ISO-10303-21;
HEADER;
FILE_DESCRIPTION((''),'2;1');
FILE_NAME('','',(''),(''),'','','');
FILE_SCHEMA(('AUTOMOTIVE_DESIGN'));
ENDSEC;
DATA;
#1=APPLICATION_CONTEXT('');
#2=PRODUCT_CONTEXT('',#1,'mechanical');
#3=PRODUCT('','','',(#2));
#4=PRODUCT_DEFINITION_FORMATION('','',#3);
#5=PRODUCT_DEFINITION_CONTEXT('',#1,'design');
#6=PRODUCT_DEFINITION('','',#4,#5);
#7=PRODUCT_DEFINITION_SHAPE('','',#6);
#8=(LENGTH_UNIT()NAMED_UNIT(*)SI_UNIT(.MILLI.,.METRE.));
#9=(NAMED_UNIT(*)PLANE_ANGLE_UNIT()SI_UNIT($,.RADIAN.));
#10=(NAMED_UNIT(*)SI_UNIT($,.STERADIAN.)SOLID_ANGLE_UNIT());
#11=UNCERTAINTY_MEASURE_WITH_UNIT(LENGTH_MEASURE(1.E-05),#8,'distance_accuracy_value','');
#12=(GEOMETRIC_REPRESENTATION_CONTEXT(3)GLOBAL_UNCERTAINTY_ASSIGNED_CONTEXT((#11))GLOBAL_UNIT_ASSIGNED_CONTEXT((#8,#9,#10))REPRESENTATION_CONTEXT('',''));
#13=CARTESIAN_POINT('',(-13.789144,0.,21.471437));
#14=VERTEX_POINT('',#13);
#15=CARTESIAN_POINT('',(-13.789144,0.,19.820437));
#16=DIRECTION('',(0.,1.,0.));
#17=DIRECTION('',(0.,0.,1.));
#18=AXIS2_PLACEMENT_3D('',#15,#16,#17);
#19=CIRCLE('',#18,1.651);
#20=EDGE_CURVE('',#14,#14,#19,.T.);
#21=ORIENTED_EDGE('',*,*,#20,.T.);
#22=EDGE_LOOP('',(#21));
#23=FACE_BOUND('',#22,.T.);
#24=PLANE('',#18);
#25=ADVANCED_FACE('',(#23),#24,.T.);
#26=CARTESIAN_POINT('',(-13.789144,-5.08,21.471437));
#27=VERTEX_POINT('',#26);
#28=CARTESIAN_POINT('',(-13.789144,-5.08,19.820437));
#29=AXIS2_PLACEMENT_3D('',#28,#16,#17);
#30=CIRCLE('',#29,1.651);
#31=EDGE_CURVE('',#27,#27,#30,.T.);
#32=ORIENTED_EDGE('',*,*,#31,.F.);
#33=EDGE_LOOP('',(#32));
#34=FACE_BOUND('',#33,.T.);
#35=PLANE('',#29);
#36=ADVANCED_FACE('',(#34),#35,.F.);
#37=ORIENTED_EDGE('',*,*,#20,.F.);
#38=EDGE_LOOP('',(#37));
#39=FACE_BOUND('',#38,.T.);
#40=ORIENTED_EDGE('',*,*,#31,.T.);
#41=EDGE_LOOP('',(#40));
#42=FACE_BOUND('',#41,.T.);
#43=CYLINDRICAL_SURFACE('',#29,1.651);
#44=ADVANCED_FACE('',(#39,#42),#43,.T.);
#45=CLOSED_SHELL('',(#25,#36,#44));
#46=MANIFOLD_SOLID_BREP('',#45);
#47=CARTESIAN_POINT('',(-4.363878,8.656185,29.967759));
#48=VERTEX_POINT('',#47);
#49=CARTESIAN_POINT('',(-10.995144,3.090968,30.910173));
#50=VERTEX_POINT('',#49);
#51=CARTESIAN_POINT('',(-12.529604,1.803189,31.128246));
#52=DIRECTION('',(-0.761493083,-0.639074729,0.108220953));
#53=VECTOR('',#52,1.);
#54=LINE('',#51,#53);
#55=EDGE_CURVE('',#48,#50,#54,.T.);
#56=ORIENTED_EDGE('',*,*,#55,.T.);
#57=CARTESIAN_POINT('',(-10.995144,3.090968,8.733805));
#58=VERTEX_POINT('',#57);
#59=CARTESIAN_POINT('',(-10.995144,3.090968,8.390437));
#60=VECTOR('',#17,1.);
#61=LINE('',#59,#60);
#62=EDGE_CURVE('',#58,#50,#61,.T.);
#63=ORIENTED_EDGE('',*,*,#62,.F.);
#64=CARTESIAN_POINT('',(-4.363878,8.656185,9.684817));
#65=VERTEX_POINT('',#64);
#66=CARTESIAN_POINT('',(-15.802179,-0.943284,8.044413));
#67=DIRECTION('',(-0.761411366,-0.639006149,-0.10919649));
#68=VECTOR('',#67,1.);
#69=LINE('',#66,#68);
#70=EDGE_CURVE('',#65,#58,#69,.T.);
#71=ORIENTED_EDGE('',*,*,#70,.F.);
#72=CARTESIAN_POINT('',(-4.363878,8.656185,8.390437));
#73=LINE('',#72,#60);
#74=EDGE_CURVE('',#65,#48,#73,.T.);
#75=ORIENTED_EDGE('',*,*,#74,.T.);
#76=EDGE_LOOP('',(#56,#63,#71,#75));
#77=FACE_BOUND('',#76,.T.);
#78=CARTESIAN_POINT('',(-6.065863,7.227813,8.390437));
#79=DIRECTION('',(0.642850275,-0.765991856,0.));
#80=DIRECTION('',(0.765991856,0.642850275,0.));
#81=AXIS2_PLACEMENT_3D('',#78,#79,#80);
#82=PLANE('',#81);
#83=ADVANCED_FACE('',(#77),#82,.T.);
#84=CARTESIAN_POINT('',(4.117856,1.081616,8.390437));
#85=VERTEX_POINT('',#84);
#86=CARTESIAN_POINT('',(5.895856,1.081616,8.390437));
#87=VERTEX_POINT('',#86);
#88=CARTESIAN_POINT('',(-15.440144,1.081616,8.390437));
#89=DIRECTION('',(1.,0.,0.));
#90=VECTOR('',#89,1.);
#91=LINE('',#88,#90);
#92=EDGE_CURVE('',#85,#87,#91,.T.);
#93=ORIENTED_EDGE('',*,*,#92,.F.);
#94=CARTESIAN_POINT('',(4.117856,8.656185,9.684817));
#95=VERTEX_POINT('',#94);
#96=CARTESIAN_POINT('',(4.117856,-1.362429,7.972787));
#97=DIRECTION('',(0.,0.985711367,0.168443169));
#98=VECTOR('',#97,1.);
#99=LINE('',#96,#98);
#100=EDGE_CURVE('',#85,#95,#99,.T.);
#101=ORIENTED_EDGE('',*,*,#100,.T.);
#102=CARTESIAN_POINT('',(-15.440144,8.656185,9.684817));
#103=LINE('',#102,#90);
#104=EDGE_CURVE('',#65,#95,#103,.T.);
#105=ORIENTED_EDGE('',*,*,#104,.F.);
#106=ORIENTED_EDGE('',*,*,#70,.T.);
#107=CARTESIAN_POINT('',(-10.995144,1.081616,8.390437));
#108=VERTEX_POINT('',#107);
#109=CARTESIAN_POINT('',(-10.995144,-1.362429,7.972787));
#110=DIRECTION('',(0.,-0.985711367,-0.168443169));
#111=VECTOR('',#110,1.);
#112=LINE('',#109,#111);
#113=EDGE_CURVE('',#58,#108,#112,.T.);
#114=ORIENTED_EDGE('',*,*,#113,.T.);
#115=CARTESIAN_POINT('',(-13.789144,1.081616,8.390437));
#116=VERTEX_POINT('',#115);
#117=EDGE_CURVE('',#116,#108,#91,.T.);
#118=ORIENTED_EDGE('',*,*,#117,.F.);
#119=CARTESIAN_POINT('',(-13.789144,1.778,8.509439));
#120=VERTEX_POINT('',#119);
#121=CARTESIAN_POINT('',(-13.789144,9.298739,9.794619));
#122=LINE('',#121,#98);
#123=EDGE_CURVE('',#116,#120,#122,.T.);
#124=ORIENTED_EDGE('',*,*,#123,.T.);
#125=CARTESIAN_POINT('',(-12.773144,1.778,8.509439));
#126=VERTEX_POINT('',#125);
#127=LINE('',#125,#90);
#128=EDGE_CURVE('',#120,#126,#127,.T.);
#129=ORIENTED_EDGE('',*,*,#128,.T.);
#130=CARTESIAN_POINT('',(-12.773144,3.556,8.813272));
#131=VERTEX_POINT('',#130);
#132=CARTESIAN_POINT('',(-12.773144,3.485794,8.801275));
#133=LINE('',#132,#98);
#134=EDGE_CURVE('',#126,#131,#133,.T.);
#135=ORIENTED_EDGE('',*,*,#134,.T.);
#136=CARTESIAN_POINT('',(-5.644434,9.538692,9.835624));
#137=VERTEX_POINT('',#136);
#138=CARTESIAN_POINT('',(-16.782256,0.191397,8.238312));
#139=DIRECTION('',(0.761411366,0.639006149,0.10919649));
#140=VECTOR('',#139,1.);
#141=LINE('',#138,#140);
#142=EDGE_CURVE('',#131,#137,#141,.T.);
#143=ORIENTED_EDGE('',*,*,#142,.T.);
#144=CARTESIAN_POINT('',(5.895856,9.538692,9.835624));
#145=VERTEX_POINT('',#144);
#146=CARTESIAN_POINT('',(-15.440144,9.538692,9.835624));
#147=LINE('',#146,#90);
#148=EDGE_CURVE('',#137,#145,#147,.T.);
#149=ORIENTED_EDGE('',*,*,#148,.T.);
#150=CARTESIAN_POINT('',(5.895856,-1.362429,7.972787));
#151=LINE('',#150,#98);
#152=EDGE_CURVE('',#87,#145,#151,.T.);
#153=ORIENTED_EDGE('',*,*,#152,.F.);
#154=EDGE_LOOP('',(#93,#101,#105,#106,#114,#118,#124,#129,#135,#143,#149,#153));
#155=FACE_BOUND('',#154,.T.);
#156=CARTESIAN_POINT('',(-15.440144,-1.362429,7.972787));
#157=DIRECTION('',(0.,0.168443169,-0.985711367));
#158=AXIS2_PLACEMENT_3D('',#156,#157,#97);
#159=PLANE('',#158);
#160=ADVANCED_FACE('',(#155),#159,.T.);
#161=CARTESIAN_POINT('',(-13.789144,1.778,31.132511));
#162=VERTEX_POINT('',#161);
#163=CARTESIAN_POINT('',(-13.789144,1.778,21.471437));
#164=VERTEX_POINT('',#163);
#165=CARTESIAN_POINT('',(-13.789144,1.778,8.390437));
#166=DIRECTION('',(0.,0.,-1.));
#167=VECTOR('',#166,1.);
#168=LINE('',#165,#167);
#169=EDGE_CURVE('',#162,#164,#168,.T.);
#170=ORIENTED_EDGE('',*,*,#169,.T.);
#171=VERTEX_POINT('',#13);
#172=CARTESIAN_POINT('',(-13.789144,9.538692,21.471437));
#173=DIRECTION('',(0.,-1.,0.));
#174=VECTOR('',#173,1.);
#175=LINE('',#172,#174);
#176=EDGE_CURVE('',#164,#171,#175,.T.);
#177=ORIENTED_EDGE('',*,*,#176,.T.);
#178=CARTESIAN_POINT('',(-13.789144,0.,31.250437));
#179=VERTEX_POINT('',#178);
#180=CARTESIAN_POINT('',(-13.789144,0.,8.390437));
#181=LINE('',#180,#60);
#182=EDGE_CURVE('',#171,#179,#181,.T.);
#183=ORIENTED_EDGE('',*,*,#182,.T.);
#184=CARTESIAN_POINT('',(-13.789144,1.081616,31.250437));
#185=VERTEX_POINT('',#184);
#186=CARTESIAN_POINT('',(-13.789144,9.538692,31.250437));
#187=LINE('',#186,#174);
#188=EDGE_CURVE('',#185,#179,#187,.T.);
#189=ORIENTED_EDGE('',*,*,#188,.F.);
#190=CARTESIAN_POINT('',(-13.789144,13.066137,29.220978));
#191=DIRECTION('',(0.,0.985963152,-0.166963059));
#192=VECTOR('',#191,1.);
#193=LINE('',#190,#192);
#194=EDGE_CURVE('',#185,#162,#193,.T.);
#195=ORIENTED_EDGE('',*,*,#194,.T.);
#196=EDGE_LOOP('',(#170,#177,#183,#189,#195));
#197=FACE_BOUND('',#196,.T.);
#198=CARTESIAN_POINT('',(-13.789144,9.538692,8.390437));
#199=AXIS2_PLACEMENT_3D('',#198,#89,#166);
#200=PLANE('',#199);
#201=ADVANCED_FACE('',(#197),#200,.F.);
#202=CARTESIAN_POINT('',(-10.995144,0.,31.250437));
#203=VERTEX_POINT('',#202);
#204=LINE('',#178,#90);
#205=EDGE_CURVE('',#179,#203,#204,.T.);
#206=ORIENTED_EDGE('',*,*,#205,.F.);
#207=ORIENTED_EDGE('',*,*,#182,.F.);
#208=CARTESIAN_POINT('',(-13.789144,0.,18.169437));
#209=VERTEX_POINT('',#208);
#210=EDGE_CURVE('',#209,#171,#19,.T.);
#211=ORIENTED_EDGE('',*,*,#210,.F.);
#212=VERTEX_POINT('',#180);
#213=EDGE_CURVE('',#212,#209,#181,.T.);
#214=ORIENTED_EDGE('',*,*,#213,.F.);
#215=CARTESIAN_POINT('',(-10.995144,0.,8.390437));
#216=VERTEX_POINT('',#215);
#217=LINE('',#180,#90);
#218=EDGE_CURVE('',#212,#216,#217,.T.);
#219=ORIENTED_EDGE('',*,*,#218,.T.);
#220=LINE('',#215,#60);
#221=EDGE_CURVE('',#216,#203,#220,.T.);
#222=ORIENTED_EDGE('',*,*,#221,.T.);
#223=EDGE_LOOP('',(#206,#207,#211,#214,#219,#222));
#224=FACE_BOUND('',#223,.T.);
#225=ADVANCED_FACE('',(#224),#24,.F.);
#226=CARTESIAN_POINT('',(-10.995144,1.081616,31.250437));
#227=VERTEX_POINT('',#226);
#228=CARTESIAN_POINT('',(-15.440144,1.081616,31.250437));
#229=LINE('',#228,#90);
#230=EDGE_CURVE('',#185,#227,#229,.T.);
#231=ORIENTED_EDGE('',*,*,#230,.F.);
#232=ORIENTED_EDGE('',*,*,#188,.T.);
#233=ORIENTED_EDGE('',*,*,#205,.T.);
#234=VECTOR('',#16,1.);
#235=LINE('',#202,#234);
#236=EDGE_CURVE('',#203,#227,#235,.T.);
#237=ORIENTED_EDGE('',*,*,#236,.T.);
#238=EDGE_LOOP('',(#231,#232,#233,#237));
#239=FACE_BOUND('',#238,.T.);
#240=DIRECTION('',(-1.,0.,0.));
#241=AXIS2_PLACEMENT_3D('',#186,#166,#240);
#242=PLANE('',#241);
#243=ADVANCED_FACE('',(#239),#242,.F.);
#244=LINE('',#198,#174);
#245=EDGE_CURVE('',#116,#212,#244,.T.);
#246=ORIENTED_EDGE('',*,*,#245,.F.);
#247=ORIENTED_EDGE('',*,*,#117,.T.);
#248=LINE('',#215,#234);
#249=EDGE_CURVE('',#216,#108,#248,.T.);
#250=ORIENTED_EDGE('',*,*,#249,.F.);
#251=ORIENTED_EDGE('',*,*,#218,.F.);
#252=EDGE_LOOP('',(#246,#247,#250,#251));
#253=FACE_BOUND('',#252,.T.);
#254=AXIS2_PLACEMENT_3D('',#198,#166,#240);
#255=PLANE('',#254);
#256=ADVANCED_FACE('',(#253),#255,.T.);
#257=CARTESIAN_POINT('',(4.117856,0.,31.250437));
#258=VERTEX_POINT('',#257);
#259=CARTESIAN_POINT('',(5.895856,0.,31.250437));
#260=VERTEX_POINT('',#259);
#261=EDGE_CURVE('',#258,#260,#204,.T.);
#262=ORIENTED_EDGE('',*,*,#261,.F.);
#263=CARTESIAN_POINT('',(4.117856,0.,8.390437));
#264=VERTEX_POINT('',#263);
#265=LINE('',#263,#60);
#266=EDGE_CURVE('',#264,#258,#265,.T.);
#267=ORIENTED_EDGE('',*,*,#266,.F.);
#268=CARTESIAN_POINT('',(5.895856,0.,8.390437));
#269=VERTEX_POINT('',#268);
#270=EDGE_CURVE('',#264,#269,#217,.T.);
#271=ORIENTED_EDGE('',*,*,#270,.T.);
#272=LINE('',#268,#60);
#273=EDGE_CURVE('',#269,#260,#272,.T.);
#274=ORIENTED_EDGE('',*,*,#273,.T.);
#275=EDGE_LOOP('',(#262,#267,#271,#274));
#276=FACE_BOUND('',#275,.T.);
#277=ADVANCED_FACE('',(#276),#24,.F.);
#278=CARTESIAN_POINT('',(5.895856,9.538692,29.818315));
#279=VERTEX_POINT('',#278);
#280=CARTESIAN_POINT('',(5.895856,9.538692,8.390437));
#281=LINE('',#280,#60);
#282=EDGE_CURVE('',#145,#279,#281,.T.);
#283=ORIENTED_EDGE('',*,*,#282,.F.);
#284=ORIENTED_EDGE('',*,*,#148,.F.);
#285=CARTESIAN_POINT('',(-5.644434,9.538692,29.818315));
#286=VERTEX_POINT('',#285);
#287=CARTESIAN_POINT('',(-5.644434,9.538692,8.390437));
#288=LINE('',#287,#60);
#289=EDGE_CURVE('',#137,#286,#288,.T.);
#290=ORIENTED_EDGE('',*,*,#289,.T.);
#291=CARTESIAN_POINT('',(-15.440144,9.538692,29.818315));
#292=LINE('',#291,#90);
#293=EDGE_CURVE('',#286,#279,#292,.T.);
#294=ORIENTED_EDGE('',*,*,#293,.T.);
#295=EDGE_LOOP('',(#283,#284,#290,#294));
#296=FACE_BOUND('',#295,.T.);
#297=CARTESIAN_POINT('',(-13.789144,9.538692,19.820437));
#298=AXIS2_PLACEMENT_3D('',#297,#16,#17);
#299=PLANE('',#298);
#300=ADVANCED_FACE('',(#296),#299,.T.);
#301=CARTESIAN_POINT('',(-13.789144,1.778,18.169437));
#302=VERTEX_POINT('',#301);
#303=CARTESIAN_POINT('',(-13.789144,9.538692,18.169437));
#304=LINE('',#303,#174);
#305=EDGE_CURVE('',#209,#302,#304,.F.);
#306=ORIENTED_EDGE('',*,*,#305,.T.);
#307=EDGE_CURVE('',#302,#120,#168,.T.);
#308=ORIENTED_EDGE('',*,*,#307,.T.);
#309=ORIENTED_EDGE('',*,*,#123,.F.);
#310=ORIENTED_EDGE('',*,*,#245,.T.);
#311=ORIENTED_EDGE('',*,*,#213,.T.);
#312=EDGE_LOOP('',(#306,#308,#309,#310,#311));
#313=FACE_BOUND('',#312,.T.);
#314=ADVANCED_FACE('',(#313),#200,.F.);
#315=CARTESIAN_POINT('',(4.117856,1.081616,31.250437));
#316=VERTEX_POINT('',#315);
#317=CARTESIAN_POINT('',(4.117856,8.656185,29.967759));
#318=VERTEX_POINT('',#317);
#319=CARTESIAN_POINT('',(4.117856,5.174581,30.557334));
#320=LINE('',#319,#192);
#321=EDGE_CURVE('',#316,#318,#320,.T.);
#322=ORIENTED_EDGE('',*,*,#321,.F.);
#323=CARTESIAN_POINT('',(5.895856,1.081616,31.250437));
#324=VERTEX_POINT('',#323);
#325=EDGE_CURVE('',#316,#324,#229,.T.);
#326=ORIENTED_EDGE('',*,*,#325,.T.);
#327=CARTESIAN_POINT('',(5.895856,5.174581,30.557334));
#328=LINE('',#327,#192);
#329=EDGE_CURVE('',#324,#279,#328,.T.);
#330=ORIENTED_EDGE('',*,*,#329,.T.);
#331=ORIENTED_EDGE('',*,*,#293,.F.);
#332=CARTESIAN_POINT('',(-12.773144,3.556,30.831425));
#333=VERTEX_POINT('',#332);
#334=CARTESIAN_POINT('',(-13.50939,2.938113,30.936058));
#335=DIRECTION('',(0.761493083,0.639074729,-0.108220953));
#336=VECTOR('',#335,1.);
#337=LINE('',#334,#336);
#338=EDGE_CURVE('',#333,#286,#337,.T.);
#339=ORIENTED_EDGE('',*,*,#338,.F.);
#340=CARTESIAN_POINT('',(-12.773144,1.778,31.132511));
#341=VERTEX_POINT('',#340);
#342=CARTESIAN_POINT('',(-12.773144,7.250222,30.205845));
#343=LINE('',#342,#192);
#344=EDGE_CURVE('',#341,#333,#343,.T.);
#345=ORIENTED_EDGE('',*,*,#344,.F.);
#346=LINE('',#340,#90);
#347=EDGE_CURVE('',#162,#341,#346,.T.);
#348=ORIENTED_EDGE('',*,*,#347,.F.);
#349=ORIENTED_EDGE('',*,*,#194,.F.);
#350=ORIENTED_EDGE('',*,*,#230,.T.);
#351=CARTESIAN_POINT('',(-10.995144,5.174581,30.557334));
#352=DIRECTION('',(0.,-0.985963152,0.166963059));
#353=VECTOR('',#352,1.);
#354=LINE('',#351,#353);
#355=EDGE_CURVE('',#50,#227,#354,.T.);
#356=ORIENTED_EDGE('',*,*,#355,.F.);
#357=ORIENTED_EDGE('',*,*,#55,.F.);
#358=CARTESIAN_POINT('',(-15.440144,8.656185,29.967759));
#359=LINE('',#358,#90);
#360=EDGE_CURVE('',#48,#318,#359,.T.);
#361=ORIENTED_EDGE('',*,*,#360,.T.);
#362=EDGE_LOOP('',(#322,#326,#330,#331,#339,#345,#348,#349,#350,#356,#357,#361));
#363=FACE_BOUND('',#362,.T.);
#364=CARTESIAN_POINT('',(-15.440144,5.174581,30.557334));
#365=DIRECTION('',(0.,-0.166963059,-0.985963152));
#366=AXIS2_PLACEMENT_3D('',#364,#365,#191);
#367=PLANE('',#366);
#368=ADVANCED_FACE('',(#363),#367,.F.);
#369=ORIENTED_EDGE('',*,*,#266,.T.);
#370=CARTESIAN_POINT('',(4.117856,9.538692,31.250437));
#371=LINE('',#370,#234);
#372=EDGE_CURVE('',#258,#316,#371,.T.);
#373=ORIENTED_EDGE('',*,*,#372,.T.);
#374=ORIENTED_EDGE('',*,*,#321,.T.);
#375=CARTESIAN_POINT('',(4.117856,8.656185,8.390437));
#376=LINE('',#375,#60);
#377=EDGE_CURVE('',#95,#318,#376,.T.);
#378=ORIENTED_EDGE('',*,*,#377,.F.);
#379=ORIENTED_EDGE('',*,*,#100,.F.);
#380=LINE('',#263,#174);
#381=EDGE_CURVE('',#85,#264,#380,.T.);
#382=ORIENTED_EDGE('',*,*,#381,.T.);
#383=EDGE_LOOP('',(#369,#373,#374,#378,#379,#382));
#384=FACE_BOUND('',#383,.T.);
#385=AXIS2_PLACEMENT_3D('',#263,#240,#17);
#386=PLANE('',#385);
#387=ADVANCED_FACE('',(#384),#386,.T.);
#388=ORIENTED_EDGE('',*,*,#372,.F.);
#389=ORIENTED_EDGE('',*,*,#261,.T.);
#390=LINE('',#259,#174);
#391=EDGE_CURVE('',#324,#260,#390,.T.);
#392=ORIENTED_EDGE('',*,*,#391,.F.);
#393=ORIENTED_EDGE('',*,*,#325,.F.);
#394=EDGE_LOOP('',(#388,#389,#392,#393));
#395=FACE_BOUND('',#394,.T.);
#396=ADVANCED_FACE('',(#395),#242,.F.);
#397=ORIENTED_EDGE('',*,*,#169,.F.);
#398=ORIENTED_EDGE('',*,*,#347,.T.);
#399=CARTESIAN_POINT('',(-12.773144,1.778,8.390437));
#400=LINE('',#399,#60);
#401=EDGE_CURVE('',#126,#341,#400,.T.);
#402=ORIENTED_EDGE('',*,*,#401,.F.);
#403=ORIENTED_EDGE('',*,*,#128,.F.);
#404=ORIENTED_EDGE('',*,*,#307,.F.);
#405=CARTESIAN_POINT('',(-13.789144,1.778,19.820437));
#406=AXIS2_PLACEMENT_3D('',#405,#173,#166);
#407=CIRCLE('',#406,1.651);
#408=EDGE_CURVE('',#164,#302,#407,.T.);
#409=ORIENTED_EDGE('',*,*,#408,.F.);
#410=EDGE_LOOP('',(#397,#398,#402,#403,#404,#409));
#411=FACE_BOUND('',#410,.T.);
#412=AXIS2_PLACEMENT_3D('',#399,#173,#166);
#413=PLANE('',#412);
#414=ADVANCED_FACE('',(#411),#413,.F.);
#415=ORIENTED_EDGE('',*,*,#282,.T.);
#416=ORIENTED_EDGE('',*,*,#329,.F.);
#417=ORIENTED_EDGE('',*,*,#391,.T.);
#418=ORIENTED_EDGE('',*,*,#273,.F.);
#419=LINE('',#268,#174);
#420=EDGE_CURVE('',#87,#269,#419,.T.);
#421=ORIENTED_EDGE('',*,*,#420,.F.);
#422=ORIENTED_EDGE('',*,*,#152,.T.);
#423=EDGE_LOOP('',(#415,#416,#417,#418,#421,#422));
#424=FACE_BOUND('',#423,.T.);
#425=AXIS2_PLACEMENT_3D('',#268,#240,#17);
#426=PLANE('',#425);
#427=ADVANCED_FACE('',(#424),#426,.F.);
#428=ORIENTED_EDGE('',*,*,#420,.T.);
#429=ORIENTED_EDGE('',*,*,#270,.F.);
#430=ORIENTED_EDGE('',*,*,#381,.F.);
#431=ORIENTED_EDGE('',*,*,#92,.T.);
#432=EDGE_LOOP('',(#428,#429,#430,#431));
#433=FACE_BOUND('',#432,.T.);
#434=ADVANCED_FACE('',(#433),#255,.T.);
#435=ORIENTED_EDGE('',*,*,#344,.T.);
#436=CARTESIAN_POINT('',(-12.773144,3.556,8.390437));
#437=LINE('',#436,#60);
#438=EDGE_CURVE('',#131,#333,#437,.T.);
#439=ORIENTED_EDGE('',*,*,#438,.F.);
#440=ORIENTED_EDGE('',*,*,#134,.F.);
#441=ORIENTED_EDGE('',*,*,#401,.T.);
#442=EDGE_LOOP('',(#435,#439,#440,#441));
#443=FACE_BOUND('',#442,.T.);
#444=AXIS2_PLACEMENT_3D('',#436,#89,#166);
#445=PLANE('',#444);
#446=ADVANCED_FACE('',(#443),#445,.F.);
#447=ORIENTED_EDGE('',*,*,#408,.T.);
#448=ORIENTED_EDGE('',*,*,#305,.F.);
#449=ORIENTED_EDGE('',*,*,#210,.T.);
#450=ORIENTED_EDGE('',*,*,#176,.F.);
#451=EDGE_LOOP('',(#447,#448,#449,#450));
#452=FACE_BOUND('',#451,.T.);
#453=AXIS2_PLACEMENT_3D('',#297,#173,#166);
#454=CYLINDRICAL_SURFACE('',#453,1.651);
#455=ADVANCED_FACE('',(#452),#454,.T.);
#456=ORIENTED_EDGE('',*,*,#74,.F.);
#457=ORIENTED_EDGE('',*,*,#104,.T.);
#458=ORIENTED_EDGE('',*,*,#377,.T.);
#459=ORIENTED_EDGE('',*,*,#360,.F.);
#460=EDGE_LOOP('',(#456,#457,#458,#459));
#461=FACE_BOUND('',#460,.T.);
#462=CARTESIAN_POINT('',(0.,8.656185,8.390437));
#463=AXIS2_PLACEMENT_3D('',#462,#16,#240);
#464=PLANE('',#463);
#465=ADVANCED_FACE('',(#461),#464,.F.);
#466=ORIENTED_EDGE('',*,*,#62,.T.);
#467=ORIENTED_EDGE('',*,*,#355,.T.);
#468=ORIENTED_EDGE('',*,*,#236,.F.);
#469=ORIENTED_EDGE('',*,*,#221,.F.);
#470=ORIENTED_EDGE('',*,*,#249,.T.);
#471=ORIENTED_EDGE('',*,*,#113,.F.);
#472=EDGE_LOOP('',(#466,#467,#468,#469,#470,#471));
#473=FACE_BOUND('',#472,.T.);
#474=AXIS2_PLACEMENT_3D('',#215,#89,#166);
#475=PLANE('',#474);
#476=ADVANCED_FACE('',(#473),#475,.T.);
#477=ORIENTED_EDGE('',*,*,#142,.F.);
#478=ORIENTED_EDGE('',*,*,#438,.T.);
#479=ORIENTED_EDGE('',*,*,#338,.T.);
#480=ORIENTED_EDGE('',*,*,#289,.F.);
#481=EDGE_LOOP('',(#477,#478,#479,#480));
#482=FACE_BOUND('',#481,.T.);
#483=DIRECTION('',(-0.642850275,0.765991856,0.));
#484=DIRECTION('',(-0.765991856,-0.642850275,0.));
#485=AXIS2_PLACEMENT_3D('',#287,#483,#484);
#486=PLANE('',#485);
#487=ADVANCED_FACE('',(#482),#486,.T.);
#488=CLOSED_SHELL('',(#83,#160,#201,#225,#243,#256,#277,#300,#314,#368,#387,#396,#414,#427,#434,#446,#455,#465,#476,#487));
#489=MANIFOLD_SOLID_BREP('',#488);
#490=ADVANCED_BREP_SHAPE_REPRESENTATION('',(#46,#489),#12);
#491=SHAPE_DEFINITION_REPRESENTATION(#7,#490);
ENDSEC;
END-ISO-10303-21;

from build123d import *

# Parameters (mm, degrees)
SKETCH1_R           = 1.651
SKETCH1_W           = 20.32
SKETCH1_H           = 22.86
BOSS_EXTRUDE1_DEPTH = 9.53869225
SKETCH2_R           = 1.651
BOSS_EXTRUDE2_DEPTH = 5.08
CUT_EXTRUDE8_DEPTH  = 23.86
CUT_EXTRUDE17_DEPTH = 22.971
CUT_EXTRUDE19_DEPTH = 23.86
SKETCH24_W          = 0.635
SKETCH24_H          = 9.53869225
CUT_EXTRUDE21_DEPTH = 23.86
CUT_EXTRUDE22_DEPTH = 23.86
SKETCH31_W          = 15.113
SKETCH31_H          = 1.081615655
CUT_EXTRUDE23_DEPTH = 23.86
CUT_EXTRUDE24_DEPTH = 23.86


with BuildPart() as part:
    # Sketch1 → Boss-Extrude1 (new body)
    with BuildSketch(Plane(origin=(0, 0, -0.183030965), x_dir=(1, 0, 0), z_dir=(0, 1, 0))):
        with Locations((-13.789144221, -20.003468165)):
            Circle(SKETCH1_R)
        with Locations((-3.629144221, -20.003468165)):
            Rectangle(SKETCH1_W, SKETCH1_H)
    extrude(amount=BOSS_EXTRUDE1_DEPTH)

    # Sketch9 → Cut-Extrude8 (cut, through all)
    with BuildSketch(Plane.XY.offset(31.2504372)):
        Polygon((-12.773144221, 1.778), (-15.440144221, 1.778), (-15.440144221, 9.53869225), (-7.226565611, 9.53869225), (-12.773144221, 3.556), align=None)
    extrude(amount=-CUT_EXTRUDE8_DEPTH, mode=Mode.SUBTRACT)

    # Sketch23 → Cut-Extrude17 (cut, through all)
    with BuildSketch(Plane(origin=(6.530855779, 0, 0), x_dir=(0, 0, -1), z_dir=(1, 0, 0))):
        Polygon((-31.2504372, 9.53869225), (-31.2504372, 1.081615655), (-29.818315346, 9.53869225), align=None)
        Polygon((-9.835623726, 9.53869225), (-8.3904372, 1.081615655), (-8.3904372, 9.53869225), align=None)
    extrude(amount=-CUT_EXTRUDE17_DEPTH, mode=Mode.SUBTRACT)

    # Sketch26 → Cut-Extrude19 (cut, through all)
    with BuildSketch(Plane.XY.offset(31.2504372)):
        Polygon((-12.773144221, 3.556), (-6.64437908, 9.53869225), (-7.226565611, 9.53869225), align=None)
    extrude(amount=-CUT_EXTRUDE19_DEPTH, mode=Mode.SUBTRACT)

    # Sketch24 → Cut-Extrude21 (cut, through all)
    with BuildSketch(Plane.XY.offset(31.2504372)):
        with Locations((6.213355779, 4.769346125)):
            Rectangle(SKETCH24_W, SKETCH24_H)
    extrude(amount=-CUT_EXTRUDE21_DEPTH, mode=Mode.SUBTRACT)

    # Sketch28 → Cut-Extrude22 (cut, through all)
    with BuildSketch(Plane.XY.offset(31.2504372)):
        Polygon((-6.64437908, 9.53869225), (-5.644433666, 9.53869225), (-12.773144221, 3.556), align=None)
    extrude(amount=-CUT_EXTRUDE22_DEPTH, mode=Mode.SUBTRACT)

    # Sketch31 → Cut-Extrude23 (cut, through all)
    with BuildSketch(Plane.XY.offset(31.2504372)):
        Polygon((-10.995144221, 1.778), (-10.995144221, 1.081615655), (4.117855779, 1.081615655), (4.117855779, 7.76069225), (-5.430907705, 7.76069225), (-8.245028619, 5.398972097), (-10.995144221, 3.090967701), align=None)
        with Locations((-3.438644221, 0.540807828)):
            Rectangle(SKETCH31_W, SKETCH31_H)
    extrude(amount=-CUT_EXTRUDE23_DEPTH, mode=Mode.SUBTRACT)

    # Sketch33 → Cut-Extrude24 (cut, through all)
    with BuildSketch(Plane.XY.offset(31.2504372)):
        Polygon((-4.363878434, 8.656184878), (-5.430907705, 7.76069225), (4.117855779, 7.76069225), (4.117855779, 8.656184878), align=None)
    extrude(amount=-CUT_EXTRUDE24_DEPTH, mode=Mode.SUBTRACT)


with BuildPart() as body_2:
    # Sketch2 → Boss-Extrude2 (new body)
    with BuildSketch(Plane(origin=(0, 0, 0), x_dir=(1, 0, 0), z_dir=(0, 1, 0))):
        with Locations((-13.789144221, -19.8204372)):
            Circle(SKETCH2_R)
    extrude(amount=-BOSS_EXTRUDE2_DEPTH)


solid = Compound([part.part, body_2.part])
